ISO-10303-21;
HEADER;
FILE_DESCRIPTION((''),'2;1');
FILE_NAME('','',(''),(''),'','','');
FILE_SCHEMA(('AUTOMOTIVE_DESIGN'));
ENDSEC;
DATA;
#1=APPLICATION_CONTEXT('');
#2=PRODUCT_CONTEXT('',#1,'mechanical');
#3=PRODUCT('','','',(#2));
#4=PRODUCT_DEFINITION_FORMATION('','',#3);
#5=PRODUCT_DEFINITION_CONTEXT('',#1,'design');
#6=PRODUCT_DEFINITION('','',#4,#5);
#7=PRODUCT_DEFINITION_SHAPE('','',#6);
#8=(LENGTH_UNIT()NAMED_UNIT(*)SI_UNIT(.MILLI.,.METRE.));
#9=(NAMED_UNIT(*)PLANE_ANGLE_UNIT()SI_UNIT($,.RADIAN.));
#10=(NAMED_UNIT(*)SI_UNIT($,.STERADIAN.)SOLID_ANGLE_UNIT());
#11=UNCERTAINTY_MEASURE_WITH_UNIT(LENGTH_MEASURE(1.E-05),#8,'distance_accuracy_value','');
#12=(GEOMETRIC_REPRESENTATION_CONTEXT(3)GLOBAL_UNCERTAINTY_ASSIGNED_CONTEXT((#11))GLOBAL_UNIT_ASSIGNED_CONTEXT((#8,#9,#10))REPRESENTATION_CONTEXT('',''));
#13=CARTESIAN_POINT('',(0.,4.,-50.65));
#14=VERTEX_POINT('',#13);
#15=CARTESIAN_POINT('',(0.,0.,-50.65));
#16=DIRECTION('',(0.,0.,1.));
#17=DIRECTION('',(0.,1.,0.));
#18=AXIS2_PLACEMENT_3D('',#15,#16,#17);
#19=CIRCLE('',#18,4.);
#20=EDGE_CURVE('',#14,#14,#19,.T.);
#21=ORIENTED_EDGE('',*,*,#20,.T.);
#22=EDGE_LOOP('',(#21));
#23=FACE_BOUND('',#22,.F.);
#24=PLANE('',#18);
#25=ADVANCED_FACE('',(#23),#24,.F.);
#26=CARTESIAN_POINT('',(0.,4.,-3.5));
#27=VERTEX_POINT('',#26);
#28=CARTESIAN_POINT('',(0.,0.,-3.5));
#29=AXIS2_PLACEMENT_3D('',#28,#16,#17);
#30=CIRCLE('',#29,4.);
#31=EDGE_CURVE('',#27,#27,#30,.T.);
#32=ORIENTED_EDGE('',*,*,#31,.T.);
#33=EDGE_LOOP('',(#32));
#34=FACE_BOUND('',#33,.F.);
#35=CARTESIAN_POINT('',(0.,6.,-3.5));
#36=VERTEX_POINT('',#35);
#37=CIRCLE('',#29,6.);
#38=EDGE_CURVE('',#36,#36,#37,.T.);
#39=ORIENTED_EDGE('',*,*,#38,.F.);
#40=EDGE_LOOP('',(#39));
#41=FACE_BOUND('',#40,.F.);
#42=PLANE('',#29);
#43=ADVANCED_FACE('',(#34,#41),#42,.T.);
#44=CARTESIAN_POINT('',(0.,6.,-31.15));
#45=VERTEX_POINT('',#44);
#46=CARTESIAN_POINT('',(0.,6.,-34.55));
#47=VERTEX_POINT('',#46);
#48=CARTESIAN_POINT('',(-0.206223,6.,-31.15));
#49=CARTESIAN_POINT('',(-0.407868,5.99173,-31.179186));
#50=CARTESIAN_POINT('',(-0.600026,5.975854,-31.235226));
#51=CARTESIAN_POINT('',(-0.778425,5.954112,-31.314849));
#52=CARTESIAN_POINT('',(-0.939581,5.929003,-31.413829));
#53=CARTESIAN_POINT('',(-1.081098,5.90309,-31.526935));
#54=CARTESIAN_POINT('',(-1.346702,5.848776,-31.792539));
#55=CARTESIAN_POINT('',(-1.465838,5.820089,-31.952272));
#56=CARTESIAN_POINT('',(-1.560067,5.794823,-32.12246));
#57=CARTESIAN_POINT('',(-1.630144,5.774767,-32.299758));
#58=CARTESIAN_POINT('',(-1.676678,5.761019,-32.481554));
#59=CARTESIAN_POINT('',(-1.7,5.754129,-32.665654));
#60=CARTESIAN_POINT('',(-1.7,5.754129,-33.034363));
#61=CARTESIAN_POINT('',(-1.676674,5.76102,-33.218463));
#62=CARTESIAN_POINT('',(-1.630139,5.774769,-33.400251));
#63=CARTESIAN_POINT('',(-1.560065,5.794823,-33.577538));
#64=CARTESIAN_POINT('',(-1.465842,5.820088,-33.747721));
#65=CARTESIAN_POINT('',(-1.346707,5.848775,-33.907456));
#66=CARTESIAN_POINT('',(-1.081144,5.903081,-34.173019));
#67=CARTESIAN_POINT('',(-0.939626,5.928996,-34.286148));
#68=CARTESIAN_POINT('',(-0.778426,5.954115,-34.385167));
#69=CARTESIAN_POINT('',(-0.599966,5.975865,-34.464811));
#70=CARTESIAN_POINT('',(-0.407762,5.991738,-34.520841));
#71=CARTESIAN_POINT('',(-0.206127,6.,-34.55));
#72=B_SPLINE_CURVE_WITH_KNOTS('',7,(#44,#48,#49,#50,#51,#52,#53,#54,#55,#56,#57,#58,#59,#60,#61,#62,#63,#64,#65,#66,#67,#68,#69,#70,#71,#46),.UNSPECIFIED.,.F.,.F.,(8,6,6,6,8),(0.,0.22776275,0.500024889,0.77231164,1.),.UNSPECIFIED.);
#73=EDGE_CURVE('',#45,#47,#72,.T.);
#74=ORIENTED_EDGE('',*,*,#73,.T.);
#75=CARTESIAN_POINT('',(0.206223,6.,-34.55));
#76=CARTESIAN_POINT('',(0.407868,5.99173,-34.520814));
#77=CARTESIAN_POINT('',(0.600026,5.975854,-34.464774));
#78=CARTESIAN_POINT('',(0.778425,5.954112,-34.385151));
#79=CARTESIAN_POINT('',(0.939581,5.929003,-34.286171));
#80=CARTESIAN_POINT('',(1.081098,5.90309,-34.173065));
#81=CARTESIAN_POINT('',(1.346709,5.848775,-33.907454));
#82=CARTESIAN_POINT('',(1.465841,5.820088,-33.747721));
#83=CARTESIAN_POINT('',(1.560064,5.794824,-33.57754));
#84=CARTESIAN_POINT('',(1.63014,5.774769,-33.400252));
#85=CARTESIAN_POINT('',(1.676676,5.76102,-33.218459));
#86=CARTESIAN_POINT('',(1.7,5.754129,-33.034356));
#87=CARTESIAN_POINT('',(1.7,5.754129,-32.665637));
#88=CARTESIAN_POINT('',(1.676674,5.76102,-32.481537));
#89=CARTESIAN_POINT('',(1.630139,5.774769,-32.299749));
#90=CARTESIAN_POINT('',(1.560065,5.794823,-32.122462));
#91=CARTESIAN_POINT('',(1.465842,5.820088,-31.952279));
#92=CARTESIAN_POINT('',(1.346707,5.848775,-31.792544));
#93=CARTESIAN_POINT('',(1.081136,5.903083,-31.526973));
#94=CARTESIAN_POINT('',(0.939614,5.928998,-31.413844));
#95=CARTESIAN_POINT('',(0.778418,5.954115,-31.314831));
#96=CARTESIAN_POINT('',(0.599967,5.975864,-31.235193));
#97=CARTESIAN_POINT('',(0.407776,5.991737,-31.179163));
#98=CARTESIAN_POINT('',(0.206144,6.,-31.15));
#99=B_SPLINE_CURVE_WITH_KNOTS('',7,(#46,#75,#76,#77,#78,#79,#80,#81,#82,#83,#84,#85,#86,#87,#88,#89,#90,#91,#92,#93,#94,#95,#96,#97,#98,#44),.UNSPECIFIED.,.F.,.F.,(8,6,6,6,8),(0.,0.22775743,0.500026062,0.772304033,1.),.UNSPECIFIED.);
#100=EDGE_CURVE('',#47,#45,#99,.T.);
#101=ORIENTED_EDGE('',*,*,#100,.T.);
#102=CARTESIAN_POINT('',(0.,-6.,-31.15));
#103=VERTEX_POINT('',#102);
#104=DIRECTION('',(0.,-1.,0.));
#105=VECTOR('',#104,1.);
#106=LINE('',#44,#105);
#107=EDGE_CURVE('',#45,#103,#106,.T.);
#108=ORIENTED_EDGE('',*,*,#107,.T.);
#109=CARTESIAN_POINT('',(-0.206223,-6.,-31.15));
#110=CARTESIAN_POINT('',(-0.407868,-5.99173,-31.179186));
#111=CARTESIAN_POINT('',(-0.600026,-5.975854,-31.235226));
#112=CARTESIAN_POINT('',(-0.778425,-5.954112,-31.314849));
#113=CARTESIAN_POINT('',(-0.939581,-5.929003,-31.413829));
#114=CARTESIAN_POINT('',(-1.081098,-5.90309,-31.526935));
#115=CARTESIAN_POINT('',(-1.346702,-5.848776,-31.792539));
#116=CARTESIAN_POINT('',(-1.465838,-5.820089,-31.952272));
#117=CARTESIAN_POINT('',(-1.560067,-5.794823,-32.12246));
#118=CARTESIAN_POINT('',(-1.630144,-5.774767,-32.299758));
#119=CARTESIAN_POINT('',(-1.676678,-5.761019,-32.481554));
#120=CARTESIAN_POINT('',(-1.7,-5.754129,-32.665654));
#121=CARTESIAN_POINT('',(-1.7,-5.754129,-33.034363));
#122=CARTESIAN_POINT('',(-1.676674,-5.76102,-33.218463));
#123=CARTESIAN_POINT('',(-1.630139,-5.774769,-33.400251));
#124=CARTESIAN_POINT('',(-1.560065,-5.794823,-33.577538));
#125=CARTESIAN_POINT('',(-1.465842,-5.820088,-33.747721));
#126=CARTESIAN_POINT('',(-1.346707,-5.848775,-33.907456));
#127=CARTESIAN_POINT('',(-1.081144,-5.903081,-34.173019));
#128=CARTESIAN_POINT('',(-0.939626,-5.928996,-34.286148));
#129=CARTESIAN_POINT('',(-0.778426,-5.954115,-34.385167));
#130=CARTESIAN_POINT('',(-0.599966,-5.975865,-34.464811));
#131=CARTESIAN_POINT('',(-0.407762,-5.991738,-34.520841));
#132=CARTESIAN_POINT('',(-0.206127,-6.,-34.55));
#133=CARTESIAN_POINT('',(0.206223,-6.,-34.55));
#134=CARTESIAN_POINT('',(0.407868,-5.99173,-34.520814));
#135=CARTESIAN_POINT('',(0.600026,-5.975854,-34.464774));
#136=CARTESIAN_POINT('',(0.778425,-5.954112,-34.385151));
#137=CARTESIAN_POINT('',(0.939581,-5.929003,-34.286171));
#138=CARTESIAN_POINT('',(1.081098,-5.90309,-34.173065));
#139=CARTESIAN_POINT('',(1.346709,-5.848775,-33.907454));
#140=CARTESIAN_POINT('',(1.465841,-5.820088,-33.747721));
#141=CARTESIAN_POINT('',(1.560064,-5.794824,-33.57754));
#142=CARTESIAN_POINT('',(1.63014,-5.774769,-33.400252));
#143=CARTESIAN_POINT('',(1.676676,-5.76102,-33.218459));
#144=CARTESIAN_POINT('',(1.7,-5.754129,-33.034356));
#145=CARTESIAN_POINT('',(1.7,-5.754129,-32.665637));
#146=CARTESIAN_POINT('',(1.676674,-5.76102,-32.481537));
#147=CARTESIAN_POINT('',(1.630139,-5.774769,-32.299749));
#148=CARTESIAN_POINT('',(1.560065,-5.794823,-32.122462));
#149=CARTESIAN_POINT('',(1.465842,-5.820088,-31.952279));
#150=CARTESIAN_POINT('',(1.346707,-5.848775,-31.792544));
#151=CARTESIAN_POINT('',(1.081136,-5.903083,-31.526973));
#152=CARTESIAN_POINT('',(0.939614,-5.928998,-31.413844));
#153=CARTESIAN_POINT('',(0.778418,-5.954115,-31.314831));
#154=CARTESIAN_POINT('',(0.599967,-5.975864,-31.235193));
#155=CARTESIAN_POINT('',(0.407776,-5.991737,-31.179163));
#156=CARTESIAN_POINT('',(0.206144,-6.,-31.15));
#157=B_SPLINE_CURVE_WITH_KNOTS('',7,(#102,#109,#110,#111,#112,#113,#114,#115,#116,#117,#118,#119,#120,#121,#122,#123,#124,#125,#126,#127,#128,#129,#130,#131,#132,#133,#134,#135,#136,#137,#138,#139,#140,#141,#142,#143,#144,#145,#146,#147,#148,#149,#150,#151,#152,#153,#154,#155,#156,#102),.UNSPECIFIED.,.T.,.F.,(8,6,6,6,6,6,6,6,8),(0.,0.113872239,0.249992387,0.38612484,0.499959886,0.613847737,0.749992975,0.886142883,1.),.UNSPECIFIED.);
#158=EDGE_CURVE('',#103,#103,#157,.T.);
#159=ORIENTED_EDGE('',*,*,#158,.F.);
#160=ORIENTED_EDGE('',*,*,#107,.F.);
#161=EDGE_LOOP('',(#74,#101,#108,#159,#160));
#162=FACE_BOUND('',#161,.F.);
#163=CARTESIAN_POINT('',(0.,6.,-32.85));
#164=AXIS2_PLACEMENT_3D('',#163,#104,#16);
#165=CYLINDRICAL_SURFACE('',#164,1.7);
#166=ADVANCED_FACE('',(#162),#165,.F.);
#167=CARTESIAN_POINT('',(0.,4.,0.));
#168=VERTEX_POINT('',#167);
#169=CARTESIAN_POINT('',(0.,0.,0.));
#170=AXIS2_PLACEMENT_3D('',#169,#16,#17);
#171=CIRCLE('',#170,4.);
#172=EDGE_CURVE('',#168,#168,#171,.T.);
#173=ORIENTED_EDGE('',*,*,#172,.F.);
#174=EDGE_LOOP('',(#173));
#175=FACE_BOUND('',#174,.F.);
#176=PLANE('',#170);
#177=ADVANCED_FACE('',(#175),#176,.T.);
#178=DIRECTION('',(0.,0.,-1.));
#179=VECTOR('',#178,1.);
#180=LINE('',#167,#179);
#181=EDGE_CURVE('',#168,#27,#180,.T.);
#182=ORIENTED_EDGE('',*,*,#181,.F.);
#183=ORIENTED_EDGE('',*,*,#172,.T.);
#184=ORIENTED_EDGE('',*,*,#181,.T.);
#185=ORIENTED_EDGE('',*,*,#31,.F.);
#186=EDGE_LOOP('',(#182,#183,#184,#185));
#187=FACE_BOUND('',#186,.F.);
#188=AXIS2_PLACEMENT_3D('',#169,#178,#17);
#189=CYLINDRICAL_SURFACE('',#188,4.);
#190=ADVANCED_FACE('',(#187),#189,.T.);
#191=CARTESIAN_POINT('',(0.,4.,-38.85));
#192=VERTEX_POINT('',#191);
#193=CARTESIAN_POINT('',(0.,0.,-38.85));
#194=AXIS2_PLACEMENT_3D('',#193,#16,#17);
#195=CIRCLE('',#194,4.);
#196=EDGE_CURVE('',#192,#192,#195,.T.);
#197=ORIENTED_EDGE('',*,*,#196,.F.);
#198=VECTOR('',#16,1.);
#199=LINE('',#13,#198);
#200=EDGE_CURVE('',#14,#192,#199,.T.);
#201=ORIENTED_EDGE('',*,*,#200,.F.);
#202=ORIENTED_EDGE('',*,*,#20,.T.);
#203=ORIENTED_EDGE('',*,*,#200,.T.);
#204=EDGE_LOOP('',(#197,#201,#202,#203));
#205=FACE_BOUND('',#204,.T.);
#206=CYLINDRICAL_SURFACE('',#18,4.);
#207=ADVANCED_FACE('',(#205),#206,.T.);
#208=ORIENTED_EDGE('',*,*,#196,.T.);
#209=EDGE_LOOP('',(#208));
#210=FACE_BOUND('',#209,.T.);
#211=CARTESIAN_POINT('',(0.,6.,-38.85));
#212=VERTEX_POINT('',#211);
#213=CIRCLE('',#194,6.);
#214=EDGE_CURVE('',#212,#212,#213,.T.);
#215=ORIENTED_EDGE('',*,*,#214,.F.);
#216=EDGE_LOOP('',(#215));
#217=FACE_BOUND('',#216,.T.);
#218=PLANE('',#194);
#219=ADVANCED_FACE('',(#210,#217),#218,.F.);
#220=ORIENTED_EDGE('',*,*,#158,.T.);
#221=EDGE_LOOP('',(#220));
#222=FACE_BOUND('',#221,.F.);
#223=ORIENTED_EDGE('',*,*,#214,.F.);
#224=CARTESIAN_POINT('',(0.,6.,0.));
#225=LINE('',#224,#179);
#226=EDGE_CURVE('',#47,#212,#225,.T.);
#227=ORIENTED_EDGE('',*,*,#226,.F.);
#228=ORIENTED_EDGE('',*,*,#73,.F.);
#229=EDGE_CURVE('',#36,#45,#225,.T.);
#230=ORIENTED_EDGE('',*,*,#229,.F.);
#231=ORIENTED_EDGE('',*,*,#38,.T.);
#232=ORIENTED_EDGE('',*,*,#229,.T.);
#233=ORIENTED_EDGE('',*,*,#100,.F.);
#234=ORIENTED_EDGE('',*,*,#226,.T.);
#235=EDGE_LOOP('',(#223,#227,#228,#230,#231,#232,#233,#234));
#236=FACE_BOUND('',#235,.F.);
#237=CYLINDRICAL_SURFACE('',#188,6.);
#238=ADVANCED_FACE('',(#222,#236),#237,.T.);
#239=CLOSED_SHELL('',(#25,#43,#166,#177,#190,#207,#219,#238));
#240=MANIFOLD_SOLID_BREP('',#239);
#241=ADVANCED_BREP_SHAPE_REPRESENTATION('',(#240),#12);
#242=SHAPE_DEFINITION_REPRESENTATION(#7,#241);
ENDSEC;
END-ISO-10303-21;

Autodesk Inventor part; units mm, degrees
ref_plane "YZ Plane" through (0, 0, 0) normal (1, 0, 0) x (0, 1, 0)
ref_plane "XY Plane" through (0, 0, 0) normal (0, 0, 1) x (1, 0, 0)
sketch "スケッチ2" plane through (0, 0, 0) normal (1, 0, 0) x (0, 1, 0)
  line L0 (0, 0) -> (6, 0)
  line L1 (6, 0) -> (6, -50.65)
  line L2 (6, -50.65) -> (0, -50.65)
  line L3 (0, -50.65) -> (0, 0)
  line L4 (6, 0) -> (4, 0)
  line L5 (4, 0) -> (4, -3.5)
  line L6 (4, -3.5) -> (6, -3.5)
  line L7 (6, -3.5) -> (6, 0)
  line L8 (6, -50.65) -> (4, -50.65)
  line L9 (4, -50.65) -> (4, -38.85)
  line L10 (4, -38.85) -> (6, -38.85)
  line L11 (6, -38.85) -> (6, -50.65)
  dimension "d3" = 6
  dimension "d4" = 50.65
  dimension "d5" = 2
  dimension "d6" = 3.5
  dimension "d7" = 2
  dimension "d8" = 11.8
revolve "回転1" add sketch "スケッチ2" angle 360 about axis through (0, 0, -50.65) along (0, 0, 1) contours L0 L5 L6 L1 L10 L9 L2 L3
ref_plane "作業平面1" through (0, 6, -21.175) normal (0, 1, 0) x (-1, 0, 0)
sketch "スケッチ3" plane through (0, 6, -21.175) normal (0, 1, 0) x (-1, 0, 0)
  line L0 (4, 21.175) -> (-4, 21.175) projected
  point P0 (0, 21.175)
  point P1 (0, -11.675)
  dimension "d10" = 32.85
hole "穴1" at (0, 6, -32.85) direction (0, -1, 0) diameter 3.4 end through all
properties part number "install-encoder-v1-Shaft-E-Shaft" material "アルミニウム 6061"
